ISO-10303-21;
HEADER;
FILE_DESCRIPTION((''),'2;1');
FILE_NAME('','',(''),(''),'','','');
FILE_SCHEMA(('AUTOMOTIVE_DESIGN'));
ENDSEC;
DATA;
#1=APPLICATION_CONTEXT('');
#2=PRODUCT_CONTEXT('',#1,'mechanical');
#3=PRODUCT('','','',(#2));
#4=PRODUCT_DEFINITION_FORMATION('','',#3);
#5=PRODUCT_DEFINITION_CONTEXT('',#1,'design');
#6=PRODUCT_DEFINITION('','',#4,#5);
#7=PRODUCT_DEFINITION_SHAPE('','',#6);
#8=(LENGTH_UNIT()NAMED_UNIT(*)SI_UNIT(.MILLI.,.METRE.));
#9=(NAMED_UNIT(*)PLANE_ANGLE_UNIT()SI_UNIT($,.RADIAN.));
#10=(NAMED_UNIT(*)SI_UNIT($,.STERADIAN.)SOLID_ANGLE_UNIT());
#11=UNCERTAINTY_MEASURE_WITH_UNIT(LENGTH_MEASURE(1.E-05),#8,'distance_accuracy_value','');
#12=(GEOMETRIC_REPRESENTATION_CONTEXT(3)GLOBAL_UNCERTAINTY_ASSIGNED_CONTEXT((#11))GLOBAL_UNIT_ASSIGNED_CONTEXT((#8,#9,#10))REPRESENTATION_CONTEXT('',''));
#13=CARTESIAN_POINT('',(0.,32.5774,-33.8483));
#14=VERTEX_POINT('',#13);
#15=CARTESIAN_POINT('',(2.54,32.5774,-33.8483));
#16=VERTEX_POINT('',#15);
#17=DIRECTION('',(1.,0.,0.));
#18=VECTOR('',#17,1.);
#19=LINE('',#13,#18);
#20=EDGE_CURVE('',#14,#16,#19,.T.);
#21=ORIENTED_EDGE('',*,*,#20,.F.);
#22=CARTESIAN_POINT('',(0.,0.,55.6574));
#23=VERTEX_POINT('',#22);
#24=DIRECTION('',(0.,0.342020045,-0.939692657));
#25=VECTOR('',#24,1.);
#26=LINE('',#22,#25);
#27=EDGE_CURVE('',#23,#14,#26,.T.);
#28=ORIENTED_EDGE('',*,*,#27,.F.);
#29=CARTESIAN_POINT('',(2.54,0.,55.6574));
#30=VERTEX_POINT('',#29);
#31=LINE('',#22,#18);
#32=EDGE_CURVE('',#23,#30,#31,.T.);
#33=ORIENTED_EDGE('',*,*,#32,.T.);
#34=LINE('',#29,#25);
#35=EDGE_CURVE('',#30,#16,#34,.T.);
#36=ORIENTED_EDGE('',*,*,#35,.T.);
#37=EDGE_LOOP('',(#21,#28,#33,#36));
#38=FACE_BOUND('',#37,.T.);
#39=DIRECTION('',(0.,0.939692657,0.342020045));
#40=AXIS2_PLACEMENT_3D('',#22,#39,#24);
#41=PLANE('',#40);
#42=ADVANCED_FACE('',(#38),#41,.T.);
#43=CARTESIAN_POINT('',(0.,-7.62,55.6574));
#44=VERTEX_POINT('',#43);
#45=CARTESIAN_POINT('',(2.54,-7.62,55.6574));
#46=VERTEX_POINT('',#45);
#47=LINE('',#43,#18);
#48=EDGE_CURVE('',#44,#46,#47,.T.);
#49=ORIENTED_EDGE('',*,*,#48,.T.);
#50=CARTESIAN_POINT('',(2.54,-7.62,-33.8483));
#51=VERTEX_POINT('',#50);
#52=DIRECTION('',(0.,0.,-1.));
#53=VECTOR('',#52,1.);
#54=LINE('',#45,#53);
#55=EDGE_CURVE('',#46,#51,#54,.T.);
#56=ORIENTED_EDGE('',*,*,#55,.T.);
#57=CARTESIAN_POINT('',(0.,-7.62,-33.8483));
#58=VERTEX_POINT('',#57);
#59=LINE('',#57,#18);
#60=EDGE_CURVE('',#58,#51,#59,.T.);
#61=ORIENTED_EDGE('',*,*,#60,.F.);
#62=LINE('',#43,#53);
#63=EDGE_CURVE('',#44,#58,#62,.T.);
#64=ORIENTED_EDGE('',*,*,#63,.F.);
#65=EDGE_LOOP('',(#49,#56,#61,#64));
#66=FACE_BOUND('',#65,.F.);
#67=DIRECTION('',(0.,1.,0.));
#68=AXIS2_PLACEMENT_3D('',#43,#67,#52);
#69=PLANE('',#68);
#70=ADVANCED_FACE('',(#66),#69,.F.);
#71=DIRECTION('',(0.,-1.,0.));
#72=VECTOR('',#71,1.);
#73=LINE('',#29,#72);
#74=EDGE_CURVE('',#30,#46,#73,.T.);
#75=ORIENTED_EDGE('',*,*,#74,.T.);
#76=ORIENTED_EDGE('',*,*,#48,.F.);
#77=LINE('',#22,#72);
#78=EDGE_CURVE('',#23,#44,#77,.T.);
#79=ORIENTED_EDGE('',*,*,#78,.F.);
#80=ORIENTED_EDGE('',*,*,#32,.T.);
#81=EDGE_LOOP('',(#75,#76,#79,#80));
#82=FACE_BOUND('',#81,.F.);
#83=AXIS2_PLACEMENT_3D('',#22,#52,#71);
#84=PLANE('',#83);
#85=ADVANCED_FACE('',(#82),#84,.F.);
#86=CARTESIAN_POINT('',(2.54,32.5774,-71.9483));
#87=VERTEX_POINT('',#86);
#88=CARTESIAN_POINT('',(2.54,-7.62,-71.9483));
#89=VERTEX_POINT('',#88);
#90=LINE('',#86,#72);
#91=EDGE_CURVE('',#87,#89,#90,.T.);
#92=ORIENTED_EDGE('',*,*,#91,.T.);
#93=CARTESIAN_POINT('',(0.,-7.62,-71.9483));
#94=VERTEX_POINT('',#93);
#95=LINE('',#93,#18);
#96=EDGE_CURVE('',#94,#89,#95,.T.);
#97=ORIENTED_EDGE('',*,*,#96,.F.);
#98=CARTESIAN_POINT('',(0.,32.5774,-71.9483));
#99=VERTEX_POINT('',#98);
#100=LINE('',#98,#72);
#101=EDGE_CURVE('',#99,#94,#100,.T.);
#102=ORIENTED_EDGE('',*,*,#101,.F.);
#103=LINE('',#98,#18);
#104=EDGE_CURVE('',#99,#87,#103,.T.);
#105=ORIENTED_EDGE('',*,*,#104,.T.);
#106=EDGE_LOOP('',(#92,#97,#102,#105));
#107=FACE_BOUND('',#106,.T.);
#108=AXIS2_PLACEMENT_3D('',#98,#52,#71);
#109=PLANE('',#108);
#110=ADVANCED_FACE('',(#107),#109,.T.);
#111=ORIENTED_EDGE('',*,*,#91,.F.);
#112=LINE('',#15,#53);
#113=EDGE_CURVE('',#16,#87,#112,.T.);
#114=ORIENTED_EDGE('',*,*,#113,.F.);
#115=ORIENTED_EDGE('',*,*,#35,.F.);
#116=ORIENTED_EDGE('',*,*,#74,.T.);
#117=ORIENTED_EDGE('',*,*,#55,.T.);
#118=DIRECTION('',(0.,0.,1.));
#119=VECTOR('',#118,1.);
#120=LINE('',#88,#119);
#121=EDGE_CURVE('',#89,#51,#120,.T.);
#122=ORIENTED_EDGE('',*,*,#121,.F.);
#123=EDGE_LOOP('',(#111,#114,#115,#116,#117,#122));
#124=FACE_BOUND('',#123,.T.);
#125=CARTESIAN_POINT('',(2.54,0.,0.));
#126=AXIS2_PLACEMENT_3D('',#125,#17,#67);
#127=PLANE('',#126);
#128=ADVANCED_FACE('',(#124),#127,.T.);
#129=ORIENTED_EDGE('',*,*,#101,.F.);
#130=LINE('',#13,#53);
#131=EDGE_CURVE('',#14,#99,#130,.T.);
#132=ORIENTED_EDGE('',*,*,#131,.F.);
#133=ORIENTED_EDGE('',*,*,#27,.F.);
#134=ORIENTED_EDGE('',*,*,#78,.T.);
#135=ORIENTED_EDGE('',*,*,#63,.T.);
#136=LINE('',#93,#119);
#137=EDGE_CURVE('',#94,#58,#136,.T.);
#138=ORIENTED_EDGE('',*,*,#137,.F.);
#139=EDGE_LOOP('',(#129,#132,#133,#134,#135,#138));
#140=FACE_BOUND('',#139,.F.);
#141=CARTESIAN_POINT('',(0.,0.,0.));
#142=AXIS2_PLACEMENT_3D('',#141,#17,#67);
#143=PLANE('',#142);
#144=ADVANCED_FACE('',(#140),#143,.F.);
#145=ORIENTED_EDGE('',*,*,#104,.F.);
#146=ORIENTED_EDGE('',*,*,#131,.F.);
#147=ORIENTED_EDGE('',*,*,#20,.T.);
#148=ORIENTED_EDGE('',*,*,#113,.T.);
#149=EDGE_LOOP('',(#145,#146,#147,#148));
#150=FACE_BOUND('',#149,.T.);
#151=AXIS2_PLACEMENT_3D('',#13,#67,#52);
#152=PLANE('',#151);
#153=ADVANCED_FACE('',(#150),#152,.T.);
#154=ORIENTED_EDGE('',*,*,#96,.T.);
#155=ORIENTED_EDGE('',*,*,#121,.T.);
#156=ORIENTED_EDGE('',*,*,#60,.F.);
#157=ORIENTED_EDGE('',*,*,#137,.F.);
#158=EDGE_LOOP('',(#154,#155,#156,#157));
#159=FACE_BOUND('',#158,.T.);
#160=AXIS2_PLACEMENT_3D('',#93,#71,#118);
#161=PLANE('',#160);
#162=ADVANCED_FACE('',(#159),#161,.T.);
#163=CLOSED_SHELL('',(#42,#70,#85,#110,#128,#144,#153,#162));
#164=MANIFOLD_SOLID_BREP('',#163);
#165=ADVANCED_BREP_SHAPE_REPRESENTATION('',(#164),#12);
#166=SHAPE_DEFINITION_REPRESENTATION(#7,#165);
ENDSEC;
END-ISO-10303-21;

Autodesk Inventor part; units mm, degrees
ref_plane "YZ Plane" through (0, 0, 0) normal (1, 0, 0) x (0, 1, 0)
ref_plane "XZ Plane" through (0, 0, 0) normal (0, 1, 0) x (-1, 0, 0)
ref_plane "XY Plane" through (0, 0, 0) normal (0, 0, 1) x (1, 0, 0)
sketch "Sketch1" plane through (0, 0, 0) normal (1, 0, 0) x (0, 1, 0)
  line L0 (0, 55.6574) -> (32.5774, -33.8483)
  line L1 (0, 55.6574) -> (-7.62, 55.6574)
  line L2 (-7.62, 55.6574) -> (-7.62, -33.8483)
  line L3 (32.5774, -33.8483) -> (32.5774, -71.9483)
  line L4 (32.5774, -71.9483) -> (-7.62, -71.9483)
  line L5 (-7.62, -71.9483) -> (-7.62, -33.8483)
  point P0 (0, 0)
  dimension "d1" = 95.25
  dimension "d4" = 20
  dimension "d5" = 7.62
  dimension "d6" = 38.1
extrude "Extrusion1" add sketch "Sketch1" along normal blind 2.54
properties part number "side"
